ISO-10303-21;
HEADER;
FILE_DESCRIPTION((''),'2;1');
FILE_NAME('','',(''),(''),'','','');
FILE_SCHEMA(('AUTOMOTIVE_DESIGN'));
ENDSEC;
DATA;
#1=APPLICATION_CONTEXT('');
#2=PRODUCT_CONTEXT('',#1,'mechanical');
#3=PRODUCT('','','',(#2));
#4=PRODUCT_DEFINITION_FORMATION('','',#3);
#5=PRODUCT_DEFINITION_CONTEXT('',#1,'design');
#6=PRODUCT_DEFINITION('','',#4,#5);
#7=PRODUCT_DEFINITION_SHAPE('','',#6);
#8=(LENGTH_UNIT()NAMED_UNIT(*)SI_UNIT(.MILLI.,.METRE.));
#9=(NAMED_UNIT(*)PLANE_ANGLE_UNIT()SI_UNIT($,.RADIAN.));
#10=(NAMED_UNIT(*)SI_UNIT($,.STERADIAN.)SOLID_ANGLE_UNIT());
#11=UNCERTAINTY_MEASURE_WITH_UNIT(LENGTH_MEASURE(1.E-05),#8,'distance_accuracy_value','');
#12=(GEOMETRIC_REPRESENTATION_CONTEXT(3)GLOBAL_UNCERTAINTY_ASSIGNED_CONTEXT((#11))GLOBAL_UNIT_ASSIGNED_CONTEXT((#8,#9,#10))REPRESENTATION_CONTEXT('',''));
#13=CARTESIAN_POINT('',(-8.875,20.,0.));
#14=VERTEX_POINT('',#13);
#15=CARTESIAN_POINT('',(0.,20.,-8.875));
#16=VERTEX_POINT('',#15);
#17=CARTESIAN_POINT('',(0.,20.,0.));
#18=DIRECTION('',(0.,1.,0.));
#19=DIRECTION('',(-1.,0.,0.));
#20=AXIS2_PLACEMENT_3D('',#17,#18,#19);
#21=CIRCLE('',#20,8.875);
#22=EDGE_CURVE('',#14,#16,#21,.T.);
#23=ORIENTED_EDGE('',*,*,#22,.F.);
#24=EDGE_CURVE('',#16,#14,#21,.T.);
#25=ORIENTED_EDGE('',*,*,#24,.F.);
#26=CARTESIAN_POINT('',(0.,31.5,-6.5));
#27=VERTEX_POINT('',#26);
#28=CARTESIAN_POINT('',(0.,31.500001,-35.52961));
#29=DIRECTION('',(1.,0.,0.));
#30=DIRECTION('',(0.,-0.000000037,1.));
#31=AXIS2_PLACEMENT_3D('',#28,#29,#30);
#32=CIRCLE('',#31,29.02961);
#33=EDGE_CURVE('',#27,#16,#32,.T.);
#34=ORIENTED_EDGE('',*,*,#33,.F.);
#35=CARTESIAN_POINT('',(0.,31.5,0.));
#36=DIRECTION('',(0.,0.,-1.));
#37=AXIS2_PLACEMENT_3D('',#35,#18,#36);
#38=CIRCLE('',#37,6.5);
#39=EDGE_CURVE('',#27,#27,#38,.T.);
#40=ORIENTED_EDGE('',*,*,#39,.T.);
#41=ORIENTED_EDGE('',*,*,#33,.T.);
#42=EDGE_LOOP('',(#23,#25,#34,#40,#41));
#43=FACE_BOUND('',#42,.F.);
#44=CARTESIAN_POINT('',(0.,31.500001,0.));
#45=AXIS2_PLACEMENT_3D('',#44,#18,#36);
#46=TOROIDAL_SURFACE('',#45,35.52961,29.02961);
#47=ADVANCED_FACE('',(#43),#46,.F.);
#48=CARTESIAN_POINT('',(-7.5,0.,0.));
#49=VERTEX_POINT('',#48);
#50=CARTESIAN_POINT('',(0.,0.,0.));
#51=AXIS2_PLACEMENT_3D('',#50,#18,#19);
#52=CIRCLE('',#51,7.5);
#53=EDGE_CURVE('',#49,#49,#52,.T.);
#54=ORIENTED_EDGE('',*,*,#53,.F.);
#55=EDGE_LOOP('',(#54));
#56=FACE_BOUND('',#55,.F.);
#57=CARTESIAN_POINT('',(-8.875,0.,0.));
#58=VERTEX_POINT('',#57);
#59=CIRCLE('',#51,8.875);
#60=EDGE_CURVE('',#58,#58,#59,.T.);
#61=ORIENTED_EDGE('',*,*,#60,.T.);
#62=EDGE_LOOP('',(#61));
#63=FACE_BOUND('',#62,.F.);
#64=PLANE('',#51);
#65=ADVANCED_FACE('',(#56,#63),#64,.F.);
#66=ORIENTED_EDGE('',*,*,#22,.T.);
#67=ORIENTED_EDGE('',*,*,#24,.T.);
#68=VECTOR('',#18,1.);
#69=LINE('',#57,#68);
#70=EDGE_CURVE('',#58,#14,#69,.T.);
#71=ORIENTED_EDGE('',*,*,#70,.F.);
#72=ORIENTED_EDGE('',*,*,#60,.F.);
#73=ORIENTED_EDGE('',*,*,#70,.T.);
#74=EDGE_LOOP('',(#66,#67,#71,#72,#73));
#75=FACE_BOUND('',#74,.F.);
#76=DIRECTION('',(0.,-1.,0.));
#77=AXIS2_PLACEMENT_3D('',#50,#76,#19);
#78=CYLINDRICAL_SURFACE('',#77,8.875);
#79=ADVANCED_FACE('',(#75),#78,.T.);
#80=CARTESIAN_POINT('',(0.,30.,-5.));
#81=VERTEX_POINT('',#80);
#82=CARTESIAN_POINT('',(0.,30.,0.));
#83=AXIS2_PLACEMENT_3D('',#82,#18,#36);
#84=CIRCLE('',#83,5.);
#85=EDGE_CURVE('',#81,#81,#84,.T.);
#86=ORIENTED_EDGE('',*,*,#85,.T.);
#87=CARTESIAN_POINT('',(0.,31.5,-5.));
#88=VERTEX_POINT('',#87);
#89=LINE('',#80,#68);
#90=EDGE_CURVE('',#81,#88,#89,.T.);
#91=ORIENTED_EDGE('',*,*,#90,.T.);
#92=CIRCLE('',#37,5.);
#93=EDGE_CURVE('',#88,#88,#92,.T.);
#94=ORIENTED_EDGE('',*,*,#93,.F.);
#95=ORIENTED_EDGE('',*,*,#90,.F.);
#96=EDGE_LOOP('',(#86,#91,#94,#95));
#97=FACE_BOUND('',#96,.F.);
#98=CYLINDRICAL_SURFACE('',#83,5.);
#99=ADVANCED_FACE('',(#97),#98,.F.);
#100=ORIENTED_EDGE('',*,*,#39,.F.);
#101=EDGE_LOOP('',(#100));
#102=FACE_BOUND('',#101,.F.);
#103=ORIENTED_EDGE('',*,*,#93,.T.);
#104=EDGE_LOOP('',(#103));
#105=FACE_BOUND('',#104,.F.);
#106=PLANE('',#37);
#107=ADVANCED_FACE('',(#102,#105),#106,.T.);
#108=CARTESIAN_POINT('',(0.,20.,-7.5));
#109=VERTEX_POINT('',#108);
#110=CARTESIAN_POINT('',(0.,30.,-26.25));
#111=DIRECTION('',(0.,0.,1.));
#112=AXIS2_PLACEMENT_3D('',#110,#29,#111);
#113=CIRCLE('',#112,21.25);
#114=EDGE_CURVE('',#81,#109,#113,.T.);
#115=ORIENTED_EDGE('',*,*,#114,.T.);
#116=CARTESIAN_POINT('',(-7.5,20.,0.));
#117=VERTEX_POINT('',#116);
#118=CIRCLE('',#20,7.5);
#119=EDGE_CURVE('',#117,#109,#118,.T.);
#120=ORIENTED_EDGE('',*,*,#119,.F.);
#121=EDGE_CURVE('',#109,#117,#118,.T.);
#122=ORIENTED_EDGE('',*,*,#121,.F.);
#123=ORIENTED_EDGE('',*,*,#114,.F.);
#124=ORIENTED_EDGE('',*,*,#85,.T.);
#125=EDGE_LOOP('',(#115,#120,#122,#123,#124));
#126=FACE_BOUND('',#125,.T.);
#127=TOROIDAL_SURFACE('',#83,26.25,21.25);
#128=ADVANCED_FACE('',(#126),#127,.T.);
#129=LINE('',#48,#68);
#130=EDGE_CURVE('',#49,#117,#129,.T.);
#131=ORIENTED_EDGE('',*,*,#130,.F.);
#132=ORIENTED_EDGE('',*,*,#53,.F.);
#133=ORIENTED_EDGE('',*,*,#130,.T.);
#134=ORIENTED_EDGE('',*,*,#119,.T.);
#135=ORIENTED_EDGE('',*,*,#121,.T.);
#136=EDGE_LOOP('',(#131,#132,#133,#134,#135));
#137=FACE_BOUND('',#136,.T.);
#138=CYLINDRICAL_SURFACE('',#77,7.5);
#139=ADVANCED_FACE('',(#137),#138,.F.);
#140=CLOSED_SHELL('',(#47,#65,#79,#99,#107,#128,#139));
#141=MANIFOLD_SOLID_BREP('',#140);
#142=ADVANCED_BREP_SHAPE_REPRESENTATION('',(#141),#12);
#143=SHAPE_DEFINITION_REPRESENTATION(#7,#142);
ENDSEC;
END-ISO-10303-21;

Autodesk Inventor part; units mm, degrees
ref_plane "YZ Plane" through (0, 0, 0) normal (1, 0, 0) x (0, 1, 0)
ref_plane "XZ Plane" through (0, 0, 0) normal (0, 1, 0) x (-1, 0, 0)
ref_plane "XY Plane" through (0, 0, 0) normal (0, 0, 1) x (1, 0, 0)
sketch "Sketch1" plane through (0, 0, 0) normal (0, 1, 0) x (-1, 0, 0)
  circle A0 centre (0, 0) radius 7.5
  circle A1 centre (0, 0) radius 8.875
  dimension "d0" = 15
  dimension "d1" = 17.75
extrude "Extrusion1" add sketch "Sketch1" along normal blind 20
sketch "Sketch2" plane through (0, 0, 0) normal (1, 0, 0) x (0, 1, 0)
  line L0 (30, 0) -> (30, -5)
  line L1 (20, 7.5) -> (20, -7.5) projected
  arc A0 (30, -5) -> (20, -7.5) centre (30, -26.25) ccw
  line L2 (30, -5) -> (22.0069, -5) construction
  line L3 (20, -8.875) -> (20, 8.875) projected
  arc A1 (31.5, -6.5) -> (20, -8.875) centre (31.5, -35.5296) ccw
  line L4 (31.5, -6.5) -> (25.6327, -6.5) construction
  line L5 (31.5, 0) -> (31.5, -6.5) construction
  line L6 (30, -5) -> (31.5, -5)
  line L7 (31.5, -5) -> (31.5, -6.5)
  line L8 (20, 0) -> (33.2295, 0)
  point P0 (0, 0)
  dimension "d4" = 5
  dimension "d5" = 10
  dimension "d6" = 0
  dimension "d8" = 1.5
revolve "Revolution1" add sketch "Sketch2" angle 360 about axis through (0, 20, 0) along (0, 1, 0) contours L6 L7 A1 L3 A0
properties part number "10mm Nozzle"
